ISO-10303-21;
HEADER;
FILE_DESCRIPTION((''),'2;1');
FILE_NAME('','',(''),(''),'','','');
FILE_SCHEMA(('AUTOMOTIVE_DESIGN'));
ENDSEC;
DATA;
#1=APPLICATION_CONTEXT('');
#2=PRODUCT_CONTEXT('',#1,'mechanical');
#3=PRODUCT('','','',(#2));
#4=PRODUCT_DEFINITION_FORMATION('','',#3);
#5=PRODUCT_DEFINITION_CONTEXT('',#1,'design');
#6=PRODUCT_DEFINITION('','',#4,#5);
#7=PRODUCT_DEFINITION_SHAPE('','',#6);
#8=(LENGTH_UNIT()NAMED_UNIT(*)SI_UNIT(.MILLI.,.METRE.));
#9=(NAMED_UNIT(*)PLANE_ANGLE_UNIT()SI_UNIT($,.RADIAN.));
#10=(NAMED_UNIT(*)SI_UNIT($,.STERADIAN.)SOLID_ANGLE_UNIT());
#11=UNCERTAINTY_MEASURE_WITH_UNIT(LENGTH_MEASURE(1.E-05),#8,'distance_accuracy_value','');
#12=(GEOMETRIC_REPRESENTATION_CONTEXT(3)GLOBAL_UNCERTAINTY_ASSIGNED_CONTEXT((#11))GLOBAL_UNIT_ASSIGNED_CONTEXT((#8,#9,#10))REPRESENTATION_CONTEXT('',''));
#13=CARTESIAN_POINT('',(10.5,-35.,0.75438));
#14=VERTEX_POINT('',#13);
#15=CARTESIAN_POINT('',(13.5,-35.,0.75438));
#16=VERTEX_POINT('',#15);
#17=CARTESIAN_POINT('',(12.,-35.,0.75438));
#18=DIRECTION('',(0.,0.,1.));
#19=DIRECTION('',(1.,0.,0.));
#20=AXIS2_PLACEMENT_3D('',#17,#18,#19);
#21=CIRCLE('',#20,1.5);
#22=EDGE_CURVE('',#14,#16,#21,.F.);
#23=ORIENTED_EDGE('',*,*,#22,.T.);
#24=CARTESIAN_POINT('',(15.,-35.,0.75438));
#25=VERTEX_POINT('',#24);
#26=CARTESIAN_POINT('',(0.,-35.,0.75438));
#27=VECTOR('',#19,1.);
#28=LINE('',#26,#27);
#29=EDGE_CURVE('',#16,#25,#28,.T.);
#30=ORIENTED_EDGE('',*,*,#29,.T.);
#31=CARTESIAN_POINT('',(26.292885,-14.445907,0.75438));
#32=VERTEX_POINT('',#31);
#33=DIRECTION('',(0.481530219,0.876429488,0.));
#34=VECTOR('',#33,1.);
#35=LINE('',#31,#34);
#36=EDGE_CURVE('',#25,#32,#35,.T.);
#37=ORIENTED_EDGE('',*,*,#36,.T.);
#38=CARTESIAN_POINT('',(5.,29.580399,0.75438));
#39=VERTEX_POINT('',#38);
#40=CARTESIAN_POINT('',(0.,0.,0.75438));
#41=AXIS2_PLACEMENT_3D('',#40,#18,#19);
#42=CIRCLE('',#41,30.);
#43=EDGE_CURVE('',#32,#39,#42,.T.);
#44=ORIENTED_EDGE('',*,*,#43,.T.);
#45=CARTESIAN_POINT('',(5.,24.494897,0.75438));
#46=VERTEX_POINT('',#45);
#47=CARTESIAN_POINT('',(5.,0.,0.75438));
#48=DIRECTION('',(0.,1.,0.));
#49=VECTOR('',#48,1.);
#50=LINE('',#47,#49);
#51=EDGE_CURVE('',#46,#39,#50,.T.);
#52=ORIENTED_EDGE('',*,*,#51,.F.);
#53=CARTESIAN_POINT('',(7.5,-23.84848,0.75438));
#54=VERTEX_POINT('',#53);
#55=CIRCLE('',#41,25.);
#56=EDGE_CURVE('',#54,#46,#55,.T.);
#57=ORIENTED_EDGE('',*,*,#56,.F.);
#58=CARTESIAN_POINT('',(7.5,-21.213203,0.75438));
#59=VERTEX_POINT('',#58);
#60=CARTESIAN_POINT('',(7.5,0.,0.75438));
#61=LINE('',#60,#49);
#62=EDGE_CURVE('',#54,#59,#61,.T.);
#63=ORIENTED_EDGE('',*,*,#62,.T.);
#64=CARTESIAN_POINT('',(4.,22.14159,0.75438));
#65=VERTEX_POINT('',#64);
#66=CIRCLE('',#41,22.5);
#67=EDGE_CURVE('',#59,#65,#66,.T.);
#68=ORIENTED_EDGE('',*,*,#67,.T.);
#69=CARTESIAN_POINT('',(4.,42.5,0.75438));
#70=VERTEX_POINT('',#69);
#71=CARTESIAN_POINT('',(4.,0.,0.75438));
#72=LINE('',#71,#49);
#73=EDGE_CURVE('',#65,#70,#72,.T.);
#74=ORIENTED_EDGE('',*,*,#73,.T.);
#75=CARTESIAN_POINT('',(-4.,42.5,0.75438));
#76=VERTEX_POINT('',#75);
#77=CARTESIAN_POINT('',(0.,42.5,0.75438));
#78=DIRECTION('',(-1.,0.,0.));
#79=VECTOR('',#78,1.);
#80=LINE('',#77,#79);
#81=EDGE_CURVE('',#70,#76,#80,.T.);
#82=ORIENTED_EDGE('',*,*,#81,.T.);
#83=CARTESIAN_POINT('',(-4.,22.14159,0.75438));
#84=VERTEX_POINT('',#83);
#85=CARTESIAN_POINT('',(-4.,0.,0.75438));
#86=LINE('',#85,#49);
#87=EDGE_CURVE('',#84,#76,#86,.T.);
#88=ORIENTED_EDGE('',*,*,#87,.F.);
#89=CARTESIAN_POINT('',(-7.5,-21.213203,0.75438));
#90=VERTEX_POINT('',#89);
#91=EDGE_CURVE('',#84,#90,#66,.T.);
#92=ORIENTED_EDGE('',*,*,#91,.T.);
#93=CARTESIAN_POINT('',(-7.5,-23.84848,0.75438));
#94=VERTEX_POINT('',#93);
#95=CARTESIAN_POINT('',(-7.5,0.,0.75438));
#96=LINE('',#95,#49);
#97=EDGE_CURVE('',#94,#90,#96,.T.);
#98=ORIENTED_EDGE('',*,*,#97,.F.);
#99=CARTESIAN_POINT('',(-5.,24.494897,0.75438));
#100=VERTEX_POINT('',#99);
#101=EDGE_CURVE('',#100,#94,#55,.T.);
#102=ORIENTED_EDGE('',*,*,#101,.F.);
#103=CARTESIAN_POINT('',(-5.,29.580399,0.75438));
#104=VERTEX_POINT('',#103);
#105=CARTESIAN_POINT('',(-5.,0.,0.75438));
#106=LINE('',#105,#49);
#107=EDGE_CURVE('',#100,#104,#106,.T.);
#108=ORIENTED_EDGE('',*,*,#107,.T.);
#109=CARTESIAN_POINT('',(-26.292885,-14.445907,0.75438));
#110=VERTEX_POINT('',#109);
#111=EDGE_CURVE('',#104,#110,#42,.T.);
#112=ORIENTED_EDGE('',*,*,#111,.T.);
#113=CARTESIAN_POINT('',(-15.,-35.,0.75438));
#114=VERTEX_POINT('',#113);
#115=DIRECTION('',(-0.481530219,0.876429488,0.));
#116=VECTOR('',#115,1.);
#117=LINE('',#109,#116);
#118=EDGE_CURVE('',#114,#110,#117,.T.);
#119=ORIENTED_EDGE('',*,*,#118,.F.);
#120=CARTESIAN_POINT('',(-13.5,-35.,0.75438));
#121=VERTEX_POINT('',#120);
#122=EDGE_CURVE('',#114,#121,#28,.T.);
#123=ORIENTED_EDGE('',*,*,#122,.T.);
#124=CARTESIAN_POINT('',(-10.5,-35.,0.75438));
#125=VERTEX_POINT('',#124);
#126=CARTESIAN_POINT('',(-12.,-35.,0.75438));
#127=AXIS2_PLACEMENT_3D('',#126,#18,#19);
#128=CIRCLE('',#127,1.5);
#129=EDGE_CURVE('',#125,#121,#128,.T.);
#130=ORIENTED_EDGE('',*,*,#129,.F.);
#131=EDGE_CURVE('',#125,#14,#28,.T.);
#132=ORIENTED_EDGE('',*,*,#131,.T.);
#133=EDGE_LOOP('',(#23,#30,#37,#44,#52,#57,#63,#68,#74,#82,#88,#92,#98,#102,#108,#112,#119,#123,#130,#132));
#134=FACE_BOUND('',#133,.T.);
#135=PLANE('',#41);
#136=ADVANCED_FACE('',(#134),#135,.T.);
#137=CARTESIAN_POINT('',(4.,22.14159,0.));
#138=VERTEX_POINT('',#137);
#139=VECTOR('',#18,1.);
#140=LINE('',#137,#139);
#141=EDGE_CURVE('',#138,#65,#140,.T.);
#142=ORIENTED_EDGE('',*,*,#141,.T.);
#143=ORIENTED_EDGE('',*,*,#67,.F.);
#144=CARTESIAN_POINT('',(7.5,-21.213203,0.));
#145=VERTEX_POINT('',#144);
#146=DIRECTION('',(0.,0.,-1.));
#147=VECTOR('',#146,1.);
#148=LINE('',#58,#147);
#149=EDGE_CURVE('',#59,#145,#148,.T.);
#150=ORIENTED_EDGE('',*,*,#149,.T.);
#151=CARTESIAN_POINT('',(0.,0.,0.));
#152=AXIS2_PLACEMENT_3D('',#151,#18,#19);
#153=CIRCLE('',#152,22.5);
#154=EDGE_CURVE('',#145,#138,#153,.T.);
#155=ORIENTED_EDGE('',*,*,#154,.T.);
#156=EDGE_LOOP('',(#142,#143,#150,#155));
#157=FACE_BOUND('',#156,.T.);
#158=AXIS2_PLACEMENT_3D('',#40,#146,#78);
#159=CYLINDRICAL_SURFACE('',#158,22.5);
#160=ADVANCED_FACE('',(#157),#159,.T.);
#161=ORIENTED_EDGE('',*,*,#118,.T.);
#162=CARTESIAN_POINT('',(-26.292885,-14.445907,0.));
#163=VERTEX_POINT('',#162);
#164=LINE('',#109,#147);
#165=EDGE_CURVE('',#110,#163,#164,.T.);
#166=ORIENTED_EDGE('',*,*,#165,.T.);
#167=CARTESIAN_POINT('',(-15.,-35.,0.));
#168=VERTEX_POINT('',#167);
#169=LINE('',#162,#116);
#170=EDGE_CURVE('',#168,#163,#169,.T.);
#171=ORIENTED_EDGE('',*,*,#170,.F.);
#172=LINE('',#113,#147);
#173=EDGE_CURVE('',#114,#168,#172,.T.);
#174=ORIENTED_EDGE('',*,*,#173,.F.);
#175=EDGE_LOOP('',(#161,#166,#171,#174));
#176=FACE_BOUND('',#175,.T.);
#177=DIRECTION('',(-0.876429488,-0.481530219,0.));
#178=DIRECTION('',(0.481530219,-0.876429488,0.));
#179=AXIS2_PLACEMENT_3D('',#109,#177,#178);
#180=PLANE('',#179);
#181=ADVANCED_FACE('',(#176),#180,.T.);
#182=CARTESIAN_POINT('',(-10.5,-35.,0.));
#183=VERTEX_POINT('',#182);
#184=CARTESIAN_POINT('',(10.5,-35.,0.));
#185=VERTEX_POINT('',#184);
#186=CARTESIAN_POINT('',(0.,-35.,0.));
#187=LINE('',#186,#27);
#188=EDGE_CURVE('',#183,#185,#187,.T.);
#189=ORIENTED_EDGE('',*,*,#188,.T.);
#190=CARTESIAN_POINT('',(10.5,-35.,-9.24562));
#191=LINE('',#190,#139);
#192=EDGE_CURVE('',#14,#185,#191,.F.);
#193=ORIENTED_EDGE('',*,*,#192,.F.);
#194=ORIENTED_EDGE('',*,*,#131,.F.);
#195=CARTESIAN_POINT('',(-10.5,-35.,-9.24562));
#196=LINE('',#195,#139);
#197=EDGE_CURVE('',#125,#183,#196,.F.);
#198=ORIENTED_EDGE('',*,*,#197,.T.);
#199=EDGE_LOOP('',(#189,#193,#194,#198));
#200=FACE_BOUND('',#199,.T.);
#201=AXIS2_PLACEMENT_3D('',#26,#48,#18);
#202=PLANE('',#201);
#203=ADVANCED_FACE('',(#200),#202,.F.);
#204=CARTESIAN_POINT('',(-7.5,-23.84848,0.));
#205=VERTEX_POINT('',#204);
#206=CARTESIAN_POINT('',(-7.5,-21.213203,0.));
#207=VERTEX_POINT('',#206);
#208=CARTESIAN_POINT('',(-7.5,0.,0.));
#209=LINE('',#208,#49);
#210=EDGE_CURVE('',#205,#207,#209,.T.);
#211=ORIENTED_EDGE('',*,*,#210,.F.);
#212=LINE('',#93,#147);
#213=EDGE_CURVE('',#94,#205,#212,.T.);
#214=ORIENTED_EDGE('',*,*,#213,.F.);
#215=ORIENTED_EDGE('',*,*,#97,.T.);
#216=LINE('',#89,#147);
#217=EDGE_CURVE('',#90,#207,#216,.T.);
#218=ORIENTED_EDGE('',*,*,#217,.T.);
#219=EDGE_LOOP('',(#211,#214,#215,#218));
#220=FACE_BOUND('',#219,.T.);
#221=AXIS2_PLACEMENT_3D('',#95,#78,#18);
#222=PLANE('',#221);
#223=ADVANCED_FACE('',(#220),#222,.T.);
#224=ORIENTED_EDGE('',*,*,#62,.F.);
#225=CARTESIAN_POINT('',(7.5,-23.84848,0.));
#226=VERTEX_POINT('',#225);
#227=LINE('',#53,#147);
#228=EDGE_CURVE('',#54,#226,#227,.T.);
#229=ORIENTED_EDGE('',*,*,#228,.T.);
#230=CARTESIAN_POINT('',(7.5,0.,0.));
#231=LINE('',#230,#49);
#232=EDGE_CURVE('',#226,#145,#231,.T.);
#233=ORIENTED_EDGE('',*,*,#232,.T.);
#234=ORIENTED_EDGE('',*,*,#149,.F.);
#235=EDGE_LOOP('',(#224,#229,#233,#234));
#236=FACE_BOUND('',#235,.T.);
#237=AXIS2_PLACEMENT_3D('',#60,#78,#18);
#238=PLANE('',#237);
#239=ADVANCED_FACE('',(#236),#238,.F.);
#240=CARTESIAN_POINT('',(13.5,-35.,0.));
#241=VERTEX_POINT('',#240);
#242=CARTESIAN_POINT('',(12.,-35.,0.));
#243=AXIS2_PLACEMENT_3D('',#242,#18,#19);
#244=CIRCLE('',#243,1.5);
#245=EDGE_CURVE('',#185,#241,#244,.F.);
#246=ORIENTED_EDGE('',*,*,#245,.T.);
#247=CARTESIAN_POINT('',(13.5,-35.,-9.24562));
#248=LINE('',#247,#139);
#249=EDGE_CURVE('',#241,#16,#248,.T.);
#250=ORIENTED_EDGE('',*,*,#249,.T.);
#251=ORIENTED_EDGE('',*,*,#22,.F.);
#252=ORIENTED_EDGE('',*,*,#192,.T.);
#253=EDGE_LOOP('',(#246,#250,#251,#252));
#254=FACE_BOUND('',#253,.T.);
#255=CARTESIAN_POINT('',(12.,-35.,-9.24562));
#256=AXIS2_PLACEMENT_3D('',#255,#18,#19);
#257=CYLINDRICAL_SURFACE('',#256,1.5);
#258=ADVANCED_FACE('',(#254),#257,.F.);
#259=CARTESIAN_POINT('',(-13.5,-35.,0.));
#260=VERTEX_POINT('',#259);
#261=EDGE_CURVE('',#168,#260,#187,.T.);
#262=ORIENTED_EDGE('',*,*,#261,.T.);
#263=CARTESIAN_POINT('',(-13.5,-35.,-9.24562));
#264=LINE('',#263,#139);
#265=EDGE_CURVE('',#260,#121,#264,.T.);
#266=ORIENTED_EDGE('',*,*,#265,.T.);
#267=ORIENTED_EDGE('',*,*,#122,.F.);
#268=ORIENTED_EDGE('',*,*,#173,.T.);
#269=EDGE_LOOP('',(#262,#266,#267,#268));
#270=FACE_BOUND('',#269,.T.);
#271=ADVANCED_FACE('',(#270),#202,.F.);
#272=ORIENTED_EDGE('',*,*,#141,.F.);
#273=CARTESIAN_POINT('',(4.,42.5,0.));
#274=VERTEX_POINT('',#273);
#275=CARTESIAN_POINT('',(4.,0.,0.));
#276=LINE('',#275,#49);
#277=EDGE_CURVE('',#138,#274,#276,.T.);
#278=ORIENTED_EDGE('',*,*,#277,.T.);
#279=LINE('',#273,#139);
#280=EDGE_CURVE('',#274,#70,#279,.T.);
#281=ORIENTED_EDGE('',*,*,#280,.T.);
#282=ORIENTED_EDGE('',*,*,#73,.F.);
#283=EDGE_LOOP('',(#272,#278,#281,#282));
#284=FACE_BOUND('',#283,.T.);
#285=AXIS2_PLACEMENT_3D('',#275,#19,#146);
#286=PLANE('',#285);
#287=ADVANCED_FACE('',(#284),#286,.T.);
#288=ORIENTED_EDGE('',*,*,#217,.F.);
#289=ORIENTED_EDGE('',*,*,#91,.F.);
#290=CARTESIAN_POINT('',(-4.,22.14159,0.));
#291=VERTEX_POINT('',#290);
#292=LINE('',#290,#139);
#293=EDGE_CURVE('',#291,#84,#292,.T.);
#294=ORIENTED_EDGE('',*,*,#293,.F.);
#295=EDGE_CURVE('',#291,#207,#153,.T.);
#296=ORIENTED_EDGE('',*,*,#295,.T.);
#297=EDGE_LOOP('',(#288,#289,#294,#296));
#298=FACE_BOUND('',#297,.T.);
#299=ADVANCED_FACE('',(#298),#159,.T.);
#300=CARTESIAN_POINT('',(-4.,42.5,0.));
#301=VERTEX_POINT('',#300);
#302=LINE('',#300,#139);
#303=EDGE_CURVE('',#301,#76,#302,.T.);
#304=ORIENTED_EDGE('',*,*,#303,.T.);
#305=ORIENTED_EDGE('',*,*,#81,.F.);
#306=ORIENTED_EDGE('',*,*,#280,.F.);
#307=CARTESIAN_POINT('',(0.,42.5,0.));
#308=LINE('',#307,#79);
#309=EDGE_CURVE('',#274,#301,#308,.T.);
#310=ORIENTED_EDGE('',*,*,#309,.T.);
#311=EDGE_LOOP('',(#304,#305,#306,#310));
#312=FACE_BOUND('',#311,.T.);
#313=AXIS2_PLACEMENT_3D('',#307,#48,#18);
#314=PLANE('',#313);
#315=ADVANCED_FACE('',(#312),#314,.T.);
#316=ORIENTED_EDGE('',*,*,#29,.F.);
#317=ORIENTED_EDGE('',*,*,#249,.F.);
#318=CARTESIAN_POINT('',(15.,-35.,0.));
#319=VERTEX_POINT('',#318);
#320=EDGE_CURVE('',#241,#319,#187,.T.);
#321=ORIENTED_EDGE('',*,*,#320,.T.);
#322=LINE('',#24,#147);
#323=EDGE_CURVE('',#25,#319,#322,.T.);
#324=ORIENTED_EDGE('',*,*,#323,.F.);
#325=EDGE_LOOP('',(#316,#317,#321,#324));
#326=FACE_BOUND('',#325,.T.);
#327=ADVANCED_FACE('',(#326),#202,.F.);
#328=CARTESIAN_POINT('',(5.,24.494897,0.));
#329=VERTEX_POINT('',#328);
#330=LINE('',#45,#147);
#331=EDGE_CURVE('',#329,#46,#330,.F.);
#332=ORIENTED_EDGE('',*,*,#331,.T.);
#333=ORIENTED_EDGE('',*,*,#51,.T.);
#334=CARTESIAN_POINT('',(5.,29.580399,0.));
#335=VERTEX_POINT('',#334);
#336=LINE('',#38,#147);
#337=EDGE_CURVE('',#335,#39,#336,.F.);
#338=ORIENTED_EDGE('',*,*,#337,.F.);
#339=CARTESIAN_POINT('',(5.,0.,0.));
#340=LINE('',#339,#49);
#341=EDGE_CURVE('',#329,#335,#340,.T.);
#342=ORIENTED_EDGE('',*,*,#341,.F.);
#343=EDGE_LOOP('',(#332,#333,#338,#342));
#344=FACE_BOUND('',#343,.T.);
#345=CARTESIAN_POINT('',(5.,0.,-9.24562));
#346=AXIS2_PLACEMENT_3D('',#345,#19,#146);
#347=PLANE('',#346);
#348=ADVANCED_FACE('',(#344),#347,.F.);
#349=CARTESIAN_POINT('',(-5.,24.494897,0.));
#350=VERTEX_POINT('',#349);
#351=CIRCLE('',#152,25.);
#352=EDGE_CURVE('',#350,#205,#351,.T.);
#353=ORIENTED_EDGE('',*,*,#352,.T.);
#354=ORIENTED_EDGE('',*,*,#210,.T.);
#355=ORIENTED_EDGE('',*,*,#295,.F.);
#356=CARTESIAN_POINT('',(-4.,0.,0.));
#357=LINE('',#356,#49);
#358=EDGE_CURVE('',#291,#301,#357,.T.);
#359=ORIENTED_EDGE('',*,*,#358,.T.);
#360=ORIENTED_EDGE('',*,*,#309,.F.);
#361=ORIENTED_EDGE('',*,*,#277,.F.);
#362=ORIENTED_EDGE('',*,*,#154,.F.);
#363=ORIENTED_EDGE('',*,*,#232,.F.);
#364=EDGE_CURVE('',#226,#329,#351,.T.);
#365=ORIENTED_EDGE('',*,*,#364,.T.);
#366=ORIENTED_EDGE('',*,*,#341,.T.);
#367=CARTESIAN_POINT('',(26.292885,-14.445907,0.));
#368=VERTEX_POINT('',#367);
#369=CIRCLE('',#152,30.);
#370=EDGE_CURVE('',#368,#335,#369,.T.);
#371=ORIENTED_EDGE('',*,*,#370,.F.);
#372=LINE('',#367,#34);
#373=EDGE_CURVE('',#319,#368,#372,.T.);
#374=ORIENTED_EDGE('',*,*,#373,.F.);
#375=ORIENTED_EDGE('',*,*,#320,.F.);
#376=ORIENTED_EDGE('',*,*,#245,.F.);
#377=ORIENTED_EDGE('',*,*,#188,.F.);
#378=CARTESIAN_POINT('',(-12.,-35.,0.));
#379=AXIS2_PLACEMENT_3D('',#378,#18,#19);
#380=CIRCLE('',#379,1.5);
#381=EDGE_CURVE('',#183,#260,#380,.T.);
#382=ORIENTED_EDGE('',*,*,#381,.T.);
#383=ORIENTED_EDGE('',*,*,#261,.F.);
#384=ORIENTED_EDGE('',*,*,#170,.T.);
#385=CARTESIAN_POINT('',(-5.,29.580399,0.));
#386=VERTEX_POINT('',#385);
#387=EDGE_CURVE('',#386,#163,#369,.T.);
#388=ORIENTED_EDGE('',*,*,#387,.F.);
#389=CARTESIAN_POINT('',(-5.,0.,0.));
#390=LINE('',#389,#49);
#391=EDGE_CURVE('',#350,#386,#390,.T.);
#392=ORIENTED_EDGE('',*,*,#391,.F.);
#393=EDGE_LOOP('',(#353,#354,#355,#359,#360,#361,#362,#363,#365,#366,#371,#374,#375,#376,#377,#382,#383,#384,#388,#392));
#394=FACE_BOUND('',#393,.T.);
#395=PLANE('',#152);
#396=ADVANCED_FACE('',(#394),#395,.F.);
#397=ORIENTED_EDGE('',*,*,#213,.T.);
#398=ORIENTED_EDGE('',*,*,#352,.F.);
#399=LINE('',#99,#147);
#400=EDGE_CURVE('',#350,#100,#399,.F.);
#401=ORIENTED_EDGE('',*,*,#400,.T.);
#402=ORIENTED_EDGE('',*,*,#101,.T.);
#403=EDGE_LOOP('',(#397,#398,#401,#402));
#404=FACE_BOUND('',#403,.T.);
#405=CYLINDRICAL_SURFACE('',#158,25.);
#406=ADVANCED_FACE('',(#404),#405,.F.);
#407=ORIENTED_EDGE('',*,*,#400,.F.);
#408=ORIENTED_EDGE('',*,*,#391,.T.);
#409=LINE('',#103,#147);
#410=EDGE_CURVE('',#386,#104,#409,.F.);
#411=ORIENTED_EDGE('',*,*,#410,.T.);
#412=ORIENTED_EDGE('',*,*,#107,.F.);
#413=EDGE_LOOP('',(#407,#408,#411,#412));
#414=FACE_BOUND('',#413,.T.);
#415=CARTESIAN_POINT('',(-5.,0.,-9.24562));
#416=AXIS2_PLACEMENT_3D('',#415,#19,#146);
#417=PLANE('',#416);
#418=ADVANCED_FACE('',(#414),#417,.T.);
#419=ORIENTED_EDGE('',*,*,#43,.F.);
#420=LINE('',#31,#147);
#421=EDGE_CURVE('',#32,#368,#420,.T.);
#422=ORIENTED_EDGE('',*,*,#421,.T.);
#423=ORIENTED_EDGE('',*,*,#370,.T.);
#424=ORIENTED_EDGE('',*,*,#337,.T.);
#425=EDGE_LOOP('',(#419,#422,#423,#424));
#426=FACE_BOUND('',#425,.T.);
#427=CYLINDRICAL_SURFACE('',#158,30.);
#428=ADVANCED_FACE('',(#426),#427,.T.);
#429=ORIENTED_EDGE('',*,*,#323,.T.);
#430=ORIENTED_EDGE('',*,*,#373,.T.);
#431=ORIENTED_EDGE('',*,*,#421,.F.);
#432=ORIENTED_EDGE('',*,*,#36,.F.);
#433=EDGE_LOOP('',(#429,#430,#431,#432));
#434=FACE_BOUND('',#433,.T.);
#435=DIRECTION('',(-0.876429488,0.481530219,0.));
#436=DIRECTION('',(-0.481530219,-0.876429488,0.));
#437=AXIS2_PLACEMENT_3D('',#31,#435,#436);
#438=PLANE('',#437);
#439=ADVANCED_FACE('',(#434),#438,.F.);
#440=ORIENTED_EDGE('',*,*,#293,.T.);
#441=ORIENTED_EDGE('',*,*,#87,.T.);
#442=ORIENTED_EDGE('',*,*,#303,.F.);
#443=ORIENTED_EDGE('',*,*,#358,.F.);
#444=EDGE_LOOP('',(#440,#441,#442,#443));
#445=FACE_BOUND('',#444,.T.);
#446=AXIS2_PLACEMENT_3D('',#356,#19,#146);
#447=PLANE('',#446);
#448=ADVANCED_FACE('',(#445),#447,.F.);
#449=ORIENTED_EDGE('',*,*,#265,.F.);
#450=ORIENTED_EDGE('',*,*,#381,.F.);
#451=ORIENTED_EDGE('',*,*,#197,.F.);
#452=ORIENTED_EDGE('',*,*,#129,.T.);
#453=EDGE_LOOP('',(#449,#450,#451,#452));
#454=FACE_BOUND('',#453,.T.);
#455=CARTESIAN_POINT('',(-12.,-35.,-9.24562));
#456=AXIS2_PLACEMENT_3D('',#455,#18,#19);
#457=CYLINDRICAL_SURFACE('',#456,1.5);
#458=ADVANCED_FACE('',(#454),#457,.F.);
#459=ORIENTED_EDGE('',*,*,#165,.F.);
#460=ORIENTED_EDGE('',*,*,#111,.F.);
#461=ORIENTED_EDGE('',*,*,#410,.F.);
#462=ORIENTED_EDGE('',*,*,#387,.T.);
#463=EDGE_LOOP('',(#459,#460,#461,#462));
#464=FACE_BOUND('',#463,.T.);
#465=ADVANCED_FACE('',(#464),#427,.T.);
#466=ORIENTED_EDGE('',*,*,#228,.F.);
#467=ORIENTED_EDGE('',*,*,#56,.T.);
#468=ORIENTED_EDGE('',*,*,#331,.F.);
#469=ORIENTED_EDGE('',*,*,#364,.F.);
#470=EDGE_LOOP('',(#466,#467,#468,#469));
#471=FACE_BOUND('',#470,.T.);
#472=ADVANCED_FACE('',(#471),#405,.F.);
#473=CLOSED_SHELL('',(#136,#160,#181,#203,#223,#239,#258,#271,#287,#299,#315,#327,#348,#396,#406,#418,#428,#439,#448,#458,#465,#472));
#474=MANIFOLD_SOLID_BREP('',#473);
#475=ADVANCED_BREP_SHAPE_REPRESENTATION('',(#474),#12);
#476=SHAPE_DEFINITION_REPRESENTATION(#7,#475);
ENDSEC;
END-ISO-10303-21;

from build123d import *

# Parameters (mm, degrees)
BOSS_EXTRUDE1_DEPTH      = 0.75438
CORTE_EXTRUS_O1_START    = -10
CORTE_EXTRUS_O1_DEPTH    = 10
RESSALTO_EXTRUS_O1_START = -0.75438
RESSALTO_EXTRUS_O1_DEPTH = 0.75438
CORTE_EXTRUS_O2_DEPTH    = 10


with BuildPart() as part:
    # Sketch1 → Boss-Extrude1 (new body)
    with BuildSketch(Plane.XY):
        with BuildLine():
            Line((-15, -35), (15, -35))
            Line((15, -35), (26.292884648, -14.44590658))
            ThreePointArc((26.292884648, -14.44590658), (0, 30), (-26.292884648, -14.44590658))
            Line((-26.292884648, -14.44590658), (-15, -35))
        make_face()
        with BuildLine():
            Line((-7.5, -23.848480035), (-7.5, -21.213203436))
            ThreePointArc((-7.5, -21.213203436), (0, 22.5), (7.5, -21.213203436))
            Line((7.5, -21.213203436), (7.5, -23.848480035))
            ThreePointArc((7.5, -23.848480035), (0, 25), (-7.5, -23.848480035))
        make_face(mode=Mode.SUBTRACT)
    extrude(amount=BOSS_EXTRUDE1_DEPTH)

    # Esboço1 → Corte-extrusão1 (cut)
    with BuildSketch(Plane.XY.offset(0.75438).offset(CORTE_EXTRUS_O1_START)):
        with BuildLine():
            ThreePointArc((-5, 29.580398915), (-2.508787808, 29.894915684), (0, 30))
            ThreePointArc((0, 30), (2.508787808, 29.894915684), (5, 29.580398915))
            Line((5, 29.580398915), (5, 30.901392532))
            Line((5, 30.901392532), (-5, 30.901392532))
            Line((-5, 30.901392532), (-5, 29.580398915))
        make_face()
        with BuildLine():
            Line((0, 27.5), (0, 30))
            ThreePointArc((0, 30), (-2.508787808, 29.894915684), (-5, 29.580398915))
            Line((-5, 29.580398915), (-5, 27.5))
            Line((-5, 27.5), (0, 27.5))
        make_face()
        with BuildLine():
            ThreePointArc((5, 29.580398915), (2.508787808, 29.894915684), (0, 30))
            Line((0, 30), (0, 27.5))
            Line((0, 27.5), (5, 27.5))
            Line((5, 27.5), (5, 29.580398915))
        make_face()
        with BuildLine():
            Line((5, 27.5), (0, 27.5))
            Line((0, 27.5), (0, 25))
            ThreePointArc((0, 25), (2.51272405, 24.873403825), (5, 24.494897428))
            Line((5, 24.494897428), (5, 27.5))
        make_face()
        with BuildLine():
            Line((0, 25), (0, 27.5))
            Line((0, 27.5), (-5, 27.5))
            Line((-5, 27.5), (-5, 24.494897428))
            ThreePointArc((-5, 24.494897428), (-2.51272405, 24.873403825), (0, 25))
        make_face()
        with BuildLine():
            ThreePointArc((5, 24.494897428), (2.51272405, 24.873403825), (0, 25))
            ThreePointArc((0, 25), (-2.51272405, 24.873403825), (-5, 24.494897428))
            Line((-5, 24.494897428), (-5, 24.098607468))
            Line((-5, 24.098607468), (5, 24.098607468))
            Line((5, 24.098607468), (5, 24.494897428))
        make_face()
    extrude(amount=CORTE_EXTRUS_O1_DEPTH, mode=Mode.SUBTRACT)

    # Esboço3 → Ressalto-extrusão1 (add)
    with BuildSketch(Plane.XY.offset(0.75438).offset(RESSALTO_EXTRUS_O1_START)):
        with BuildLine():
            ThreePointArc((-4, 22.141589825), (-2.008012566, 22.410218329), (0, 22.5))
            Line((0, 22.5), (0, 42.5))
            Line((0, 42.5), (-4, 42.5))
            Line((-4, 42.5), (-4, 24.494897428))
            Line((-4, 24.494897428), (-4, 22.141589825))
        make_face()
        with BuildLine():
            Line((0, 42.5), (0, 22.5))
            ThreePointArc((0, 22.5), (2.008012566, 22.410218329), (4, 22.141589825))
            Line((4, 22.141589825), (4, 42.5))
            Line((4, 42.5), (0, 42.5))
        make_face()
    extrude(amount=RESSALTO_EXTRUS_O1_DEPTH)

    # Esboço4 → Corte-extrusão2 (cut)
    with BuildSketch(Plane.XY.offset(0.75438)):
        with BuildLine():
            ThreePointArc((-10.5, -35), (-12, -33.5), (-13.5, -35))
            Line((-13.5, -35), (-12, -35))
            Line((-12, -35), (-10.5, -35))
        make_face()
        with BuildLine():
            Line((-12, -35), (-13.5, -35))
            ThreePointArc((-13.5, -35), (-12, -36.5), (-10.5, -35))
            Line((-10.5, -35), (-12, -35))
        make_face()
        with BuildLine():
            ThreePointArc((13.5, -35), (12, -33.5), (10.5, -35))
            Line((10.5, -35), (13.5, -35))
        make_face()
        with BuildLine():
            Line((13.5, -35), (10.5, -35))
            ThreePointArc((10.5, -35), (12, -36.5), (13.5, -35))
        make_face()
    extrude(amount=-CORTE_EXTRUS_O2_DEPTH, mode=Mode.SUBTRACT)


solid = part.part
